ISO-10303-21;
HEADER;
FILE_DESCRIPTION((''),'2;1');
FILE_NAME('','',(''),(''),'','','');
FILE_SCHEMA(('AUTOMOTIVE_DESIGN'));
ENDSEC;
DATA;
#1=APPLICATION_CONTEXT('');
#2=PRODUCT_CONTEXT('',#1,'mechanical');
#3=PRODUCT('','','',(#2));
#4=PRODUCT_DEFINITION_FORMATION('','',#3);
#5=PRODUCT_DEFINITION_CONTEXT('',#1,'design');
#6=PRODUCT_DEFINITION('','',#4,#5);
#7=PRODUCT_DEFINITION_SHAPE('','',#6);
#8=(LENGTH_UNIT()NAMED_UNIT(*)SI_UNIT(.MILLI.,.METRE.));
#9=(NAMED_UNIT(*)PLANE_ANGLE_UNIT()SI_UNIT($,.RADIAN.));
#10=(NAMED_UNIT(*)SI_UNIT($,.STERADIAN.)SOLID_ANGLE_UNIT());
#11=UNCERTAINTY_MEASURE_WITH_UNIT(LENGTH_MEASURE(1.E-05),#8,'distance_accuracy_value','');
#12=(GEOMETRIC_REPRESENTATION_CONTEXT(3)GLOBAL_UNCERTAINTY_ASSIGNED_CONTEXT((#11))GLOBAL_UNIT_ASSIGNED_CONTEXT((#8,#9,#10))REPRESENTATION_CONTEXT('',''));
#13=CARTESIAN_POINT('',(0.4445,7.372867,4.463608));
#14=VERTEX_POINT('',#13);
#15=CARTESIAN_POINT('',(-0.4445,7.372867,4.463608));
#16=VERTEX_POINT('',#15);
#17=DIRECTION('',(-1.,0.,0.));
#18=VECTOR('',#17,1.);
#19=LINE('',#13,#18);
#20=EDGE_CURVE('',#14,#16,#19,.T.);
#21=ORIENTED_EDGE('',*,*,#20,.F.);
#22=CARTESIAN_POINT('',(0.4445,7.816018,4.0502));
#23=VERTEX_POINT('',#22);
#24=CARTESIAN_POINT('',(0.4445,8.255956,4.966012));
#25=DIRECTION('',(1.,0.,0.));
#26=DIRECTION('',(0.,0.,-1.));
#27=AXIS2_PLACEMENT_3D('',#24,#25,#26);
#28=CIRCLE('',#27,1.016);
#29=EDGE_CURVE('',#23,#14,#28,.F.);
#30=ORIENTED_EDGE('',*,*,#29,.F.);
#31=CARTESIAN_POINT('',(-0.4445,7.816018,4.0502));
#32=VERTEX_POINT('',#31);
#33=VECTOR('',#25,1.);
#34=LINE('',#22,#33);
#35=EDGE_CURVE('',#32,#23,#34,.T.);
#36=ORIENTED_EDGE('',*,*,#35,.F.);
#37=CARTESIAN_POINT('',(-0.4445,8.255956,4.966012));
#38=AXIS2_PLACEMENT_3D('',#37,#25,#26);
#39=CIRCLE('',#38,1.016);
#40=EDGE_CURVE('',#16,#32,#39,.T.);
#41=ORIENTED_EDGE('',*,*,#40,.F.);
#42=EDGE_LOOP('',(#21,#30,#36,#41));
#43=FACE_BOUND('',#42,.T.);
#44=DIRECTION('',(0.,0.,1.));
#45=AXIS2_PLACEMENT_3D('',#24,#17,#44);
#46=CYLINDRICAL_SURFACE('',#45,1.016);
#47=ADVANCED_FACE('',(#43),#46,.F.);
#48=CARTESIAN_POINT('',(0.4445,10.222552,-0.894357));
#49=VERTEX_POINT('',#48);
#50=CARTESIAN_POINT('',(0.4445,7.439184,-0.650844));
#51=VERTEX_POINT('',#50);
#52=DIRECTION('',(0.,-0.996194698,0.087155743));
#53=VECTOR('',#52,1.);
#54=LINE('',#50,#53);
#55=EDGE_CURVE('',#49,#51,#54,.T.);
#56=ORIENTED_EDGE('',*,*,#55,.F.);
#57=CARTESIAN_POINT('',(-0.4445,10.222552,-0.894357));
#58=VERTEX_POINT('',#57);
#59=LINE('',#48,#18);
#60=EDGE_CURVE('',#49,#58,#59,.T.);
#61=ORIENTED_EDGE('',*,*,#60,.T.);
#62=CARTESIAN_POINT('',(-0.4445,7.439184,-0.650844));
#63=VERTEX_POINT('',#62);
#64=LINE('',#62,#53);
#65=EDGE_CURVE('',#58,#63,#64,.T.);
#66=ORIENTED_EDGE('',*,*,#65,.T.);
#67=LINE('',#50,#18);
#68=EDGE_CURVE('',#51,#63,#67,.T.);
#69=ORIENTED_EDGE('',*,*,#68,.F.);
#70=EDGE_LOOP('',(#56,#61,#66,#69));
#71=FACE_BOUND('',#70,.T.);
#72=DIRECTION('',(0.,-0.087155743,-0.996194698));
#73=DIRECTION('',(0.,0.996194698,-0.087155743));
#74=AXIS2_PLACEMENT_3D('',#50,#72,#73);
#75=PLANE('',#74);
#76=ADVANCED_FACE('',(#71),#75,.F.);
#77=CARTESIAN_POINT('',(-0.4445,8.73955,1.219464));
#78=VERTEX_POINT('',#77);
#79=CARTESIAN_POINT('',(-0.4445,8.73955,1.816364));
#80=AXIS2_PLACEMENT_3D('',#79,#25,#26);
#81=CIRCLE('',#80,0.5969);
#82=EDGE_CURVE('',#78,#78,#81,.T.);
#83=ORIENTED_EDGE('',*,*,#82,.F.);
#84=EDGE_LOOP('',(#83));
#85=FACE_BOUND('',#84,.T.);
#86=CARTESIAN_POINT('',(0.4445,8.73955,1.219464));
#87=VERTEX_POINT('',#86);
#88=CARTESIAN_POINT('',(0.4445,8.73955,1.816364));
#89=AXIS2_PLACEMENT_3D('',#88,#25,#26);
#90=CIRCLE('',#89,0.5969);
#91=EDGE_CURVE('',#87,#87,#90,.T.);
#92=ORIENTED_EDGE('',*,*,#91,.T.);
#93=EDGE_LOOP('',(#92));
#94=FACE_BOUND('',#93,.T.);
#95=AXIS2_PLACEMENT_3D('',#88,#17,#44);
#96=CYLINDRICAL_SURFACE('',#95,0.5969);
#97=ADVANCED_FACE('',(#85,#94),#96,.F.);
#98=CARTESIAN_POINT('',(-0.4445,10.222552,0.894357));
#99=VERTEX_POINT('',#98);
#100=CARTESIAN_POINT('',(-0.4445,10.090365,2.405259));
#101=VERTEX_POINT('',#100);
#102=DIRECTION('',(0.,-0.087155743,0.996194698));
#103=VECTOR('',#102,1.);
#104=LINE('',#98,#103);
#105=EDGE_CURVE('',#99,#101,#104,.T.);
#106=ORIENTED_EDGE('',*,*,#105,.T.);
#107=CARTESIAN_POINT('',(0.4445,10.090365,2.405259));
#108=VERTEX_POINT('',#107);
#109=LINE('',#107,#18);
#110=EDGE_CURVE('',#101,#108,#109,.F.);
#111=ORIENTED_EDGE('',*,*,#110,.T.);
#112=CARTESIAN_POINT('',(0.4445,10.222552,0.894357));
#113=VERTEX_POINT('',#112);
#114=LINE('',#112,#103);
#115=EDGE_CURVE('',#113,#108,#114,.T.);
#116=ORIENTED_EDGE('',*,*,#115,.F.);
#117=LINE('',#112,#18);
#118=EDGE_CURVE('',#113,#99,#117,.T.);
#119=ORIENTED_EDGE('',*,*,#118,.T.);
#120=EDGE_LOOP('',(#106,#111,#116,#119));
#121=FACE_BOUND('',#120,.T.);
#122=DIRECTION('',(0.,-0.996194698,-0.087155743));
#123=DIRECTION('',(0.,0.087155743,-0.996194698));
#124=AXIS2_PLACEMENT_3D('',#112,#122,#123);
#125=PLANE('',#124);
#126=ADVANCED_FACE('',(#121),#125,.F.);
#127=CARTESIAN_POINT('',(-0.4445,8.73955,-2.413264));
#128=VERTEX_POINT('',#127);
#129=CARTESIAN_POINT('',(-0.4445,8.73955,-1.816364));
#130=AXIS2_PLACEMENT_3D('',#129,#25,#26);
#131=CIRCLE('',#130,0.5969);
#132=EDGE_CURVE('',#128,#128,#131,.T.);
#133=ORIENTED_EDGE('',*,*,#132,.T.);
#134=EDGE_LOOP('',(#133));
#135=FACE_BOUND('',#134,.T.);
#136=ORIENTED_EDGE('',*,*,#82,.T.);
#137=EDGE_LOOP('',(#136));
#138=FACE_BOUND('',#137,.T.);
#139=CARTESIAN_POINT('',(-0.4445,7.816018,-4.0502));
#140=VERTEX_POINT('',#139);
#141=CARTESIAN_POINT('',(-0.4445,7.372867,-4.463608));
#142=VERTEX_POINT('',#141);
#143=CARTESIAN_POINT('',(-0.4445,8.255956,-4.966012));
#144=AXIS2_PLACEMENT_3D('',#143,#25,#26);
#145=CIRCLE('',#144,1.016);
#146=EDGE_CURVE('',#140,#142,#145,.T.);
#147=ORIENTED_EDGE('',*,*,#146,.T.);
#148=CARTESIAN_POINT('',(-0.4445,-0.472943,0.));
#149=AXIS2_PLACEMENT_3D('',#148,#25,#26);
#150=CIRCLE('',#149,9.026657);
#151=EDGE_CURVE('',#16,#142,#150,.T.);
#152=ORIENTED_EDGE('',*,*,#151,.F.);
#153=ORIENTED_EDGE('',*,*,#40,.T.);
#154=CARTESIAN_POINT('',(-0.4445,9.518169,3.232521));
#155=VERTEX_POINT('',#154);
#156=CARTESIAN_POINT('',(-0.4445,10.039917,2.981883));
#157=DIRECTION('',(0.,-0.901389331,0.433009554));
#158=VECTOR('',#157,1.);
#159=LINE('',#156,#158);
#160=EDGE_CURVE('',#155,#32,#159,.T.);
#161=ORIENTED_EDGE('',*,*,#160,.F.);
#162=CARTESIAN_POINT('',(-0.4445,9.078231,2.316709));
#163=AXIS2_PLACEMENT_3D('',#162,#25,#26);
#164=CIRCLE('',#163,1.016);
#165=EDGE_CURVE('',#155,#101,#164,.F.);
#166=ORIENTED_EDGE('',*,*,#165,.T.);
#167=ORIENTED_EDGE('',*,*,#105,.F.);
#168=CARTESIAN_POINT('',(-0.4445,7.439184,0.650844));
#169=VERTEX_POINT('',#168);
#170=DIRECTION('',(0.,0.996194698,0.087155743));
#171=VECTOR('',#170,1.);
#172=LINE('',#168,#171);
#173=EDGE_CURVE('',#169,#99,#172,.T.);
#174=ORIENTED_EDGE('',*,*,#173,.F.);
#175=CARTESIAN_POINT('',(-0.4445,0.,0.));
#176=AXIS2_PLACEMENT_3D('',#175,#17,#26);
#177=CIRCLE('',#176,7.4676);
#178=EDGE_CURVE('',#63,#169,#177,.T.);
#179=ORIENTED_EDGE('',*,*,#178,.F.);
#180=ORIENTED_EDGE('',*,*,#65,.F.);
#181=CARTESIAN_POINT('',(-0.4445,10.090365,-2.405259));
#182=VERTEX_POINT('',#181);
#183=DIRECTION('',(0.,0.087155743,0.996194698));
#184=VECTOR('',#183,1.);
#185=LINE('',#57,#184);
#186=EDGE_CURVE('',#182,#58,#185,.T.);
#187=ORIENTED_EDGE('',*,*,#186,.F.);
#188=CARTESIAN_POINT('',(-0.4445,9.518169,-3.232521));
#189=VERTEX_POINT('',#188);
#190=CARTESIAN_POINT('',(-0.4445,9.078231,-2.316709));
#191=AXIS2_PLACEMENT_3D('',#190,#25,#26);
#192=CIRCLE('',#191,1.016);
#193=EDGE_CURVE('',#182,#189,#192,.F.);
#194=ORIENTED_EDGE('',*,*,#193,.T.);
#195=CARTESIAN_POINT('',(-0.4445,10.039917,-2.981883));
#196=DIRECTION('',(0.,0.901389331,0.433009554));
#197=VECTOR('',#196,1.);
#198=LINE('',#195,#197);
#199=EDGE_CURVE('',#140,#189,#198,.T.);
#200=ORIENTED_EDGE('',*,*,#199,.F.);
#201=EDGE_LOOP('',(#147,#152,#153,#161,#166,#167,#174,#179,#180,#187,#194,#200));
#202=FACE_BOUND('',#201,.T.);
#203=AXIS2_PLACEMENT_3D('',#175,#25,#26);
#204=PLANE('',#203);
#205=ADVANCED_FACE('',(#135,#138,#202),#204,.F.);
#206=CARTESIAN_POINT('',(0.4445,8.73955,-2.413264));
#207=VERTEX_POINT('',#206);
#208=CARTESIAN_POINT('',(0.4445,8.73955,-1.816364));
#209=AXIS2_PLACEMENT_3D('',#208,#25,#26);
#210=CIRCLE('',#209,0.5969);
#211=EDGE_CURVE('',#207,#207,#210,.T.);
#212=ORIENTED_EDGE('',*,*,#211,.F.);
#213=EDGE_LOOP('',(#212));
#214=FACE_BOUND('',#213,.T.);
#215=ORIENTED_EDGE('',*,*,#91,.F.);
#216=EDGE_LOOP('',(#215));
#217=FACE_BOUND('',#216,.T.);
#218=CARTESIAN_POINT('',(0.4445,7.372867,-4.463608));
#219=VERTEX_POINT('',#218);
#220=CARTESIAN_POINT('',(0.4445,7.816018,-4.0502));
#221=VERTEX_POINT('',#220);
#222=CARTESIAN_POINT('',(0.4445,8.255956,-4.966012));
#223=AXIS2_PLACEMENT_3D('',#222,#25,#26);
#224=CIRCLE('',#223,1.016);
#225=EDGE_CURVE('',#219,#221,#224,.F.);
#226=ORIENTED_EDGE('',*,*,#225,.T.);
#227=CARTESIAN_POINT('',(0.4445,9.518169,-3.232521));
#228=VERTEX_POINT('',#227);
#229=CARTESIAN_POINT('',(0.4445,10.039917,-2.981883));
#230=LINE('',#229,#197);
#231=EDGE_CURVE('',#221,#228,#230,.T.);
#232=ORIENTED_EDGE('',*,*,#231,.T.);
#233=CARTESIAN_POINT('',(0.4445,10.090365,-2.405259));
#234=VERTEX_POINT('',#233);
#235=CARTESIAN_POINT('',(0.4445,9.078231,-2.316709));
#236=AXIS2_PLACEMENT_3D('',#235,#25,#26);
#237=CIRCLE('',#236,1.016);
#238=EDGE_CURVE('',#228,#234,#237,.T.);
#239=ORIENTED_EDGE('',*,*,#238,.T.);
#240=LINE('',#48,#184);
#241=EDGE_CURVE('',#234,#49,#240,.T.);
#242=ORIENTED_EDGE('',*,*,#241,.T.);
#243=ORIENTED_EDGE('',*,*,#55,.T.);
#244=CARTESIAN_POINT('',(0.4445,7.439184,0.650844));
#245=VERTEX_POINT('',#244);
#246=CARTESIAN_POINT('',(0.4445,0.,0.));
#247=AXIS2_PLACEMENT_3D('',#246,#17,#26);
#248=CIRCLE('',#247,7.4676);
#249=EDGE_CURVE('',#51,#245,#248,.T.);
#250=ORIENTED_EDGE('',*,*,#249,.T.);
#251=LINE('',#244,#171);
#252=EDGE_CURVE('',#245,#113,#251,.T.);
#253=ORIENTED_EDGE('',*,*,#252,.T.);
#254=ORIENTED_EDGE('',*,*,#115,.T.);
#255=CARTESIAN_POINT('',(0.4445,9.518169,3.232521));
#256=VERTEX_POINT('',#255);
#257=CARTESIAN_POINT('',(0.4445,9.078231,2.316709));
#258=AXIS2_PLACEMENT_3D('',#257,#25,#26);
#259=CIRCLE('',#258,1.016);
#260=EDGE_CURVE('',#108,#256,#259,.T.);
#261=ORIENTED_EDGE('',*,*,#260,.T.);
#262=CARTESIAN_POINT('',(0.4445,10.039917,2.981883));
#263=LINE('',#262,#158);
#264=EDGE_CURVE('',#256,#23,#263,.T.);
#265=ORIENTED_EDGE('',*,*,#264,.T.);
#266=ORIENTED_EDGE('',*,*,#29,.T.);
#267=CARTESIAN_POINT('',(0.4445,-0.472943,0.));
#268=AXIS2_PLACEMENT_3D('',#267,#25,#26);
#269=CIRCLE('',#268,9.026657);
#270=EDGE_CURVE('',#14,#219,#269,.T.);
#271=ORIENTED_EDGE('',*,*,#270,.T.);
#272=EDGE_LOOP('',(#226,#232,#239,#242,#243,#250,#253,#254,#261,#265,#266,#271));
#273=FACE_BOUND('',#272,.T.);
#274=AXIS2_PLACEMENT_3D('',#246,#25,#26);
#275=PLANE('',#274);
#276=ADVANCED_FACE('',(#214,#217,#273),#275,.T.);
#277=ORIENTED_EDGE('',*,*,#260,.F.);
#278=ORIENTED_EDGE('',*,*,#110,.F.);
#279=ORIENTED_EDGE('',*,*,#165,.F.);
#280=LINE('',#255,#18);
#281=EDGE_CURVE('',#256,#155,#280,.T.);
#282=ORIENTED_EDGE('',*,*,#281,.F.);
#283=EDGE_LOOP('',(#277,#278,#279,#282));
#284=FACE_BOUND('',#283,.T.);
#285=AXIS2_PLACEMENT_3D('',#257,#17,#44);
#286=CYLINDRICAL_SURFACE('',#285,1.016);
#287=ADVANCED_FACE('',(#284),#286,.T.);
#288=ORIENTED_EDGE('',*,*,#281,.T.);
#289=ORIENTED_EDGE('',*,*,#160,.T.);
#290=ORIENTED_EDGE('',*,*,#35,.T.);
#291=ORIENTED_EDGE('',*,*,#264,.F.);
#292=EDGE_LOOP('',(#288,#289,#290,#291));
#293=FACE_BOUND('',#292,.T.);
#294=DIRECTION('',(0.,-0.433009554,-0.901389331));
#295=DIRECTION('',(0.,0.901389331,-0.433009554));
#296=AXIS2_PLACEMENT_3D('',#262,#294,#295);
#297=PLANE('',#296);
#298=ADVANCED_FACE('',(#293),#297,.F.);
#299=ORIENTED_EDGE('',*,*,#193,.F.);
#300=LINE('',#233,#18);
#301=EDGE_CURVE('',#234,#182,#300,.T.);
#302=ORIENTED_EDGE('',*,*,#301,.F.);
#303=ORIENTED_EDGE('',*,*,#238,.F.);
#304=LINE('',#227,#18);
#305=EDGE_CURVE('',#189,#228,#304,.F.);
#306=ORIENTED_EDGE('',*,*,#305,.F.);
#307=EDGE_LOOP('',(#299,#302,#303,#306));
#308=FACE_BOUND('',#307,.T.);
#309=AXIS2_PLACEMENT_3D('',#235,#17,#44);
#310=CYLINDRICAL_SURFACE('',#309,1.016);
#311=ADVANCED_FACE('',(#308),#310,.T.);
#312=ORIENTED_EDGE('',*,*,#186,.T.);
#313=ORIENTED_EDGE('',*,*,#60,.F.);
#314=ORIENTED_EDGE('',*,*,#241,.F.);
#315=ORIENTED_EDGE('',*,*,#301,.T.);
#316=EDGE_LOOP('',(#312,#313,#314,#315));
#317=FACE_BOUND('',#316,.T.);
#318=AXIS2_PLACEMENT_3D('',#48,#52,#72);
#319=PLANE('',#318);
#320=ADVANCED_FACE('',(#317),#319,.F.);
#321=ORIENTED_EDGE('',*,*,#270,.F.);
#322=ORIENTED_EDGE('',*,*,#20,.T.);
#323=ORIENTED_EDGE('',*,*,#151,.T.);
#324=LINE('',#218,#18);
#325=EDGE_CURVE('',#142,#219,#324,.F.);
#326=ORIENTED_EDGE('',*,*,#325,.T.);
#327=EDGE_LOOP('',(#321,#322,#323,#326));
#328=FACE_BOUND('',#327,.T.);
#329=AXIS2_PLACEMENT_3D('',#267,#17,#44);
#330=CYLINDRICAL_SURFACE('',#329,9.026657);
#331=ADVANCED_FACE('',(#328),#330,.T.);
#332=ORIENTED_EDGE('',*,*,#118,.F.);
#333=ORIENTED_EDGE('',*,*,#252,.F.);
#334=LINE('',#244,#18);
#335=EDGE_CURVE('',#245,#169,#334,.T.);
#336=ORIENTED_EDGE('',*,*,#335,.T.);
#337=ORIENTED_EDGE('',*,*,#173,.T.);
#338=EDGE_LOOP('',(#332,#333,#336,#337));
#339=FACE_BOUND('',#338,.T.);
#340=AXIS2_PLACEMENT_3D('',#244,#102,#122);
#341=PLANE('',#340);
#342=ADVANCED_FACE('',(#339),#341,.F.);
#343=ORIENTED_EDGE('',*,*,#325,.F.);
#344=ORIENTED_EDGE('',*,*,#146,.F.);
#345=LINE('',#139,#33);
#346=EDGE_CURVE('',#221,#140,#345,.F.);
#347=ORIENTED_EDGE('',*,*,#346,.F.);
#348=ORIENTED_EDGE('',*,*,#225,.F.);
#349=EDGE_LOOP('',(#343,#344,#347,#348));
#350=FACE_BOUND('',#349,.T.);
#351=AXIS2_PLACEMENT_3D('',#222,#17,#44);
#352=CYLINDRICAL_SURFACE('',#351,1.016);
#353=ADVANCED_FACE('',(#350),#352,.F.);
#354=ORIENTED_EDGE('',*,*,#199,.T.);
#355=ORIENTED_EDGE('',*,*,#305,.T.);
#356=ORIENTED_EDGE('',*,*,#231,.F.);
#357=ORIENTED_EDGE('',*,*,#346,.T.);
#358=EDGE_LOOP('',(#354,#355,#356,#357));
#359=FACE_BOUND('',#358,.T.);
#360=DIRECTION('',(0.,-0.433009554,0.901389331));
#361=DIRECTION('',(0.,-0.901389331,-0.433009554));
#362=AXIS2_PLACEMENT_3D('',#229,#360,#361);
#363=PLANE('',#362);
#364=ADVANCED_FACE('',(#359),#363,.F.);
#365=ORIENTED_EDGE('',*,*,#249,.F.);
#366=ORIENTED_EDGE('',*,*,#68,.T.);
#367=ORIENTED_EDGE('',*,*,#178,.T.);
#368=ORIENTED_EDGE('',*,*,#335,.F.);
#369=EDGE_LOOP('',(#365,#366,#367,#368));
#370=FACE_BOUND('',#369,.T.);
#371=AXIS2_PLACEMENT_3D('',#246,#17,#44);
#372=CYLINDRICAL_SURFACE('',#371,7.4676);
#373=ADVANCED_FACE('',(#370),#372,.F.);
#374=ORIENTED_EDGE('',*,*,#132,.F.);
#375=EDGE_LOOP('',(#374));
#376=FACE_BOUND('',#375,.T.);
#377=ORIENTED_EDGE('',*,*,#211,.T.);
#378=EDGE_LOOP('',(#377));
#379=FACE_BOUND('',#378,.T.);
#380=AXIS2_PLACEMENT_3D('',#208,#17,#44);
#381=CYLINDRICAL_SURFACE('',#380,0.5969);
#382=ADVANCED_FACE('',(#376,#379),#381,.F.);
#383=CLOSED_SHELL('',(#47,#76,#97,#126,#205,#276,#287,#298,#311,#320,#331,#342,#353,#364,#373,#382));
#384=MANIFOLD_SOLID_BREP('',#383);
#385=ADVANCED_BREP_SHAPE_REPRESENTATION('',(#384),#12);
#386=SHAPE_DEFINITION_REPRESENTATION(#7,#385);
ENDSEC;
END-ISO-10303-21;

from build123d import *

# Parameters (mm, degrees)
SKETCH1_R      = 0.5969
EXTRUDE1_DEPTH = 0.4445
FILLET1_R      = 1.016


with BuildPart() as part:
    # Sketch1 → Extrude1 (new, symmetric)
    with BuildSketch(Plane(origin=(0, 0, 0), x_dir=(0, 0, -1), z_dir=(1, 0, 0))):
        with BuildLine():
            Line((-0.650844225, 7.439183527), (-0.89435737, 10.222551514))
            Line((-0.89435737, 10.222551514), (-2.98188336, 10.039916655))
            Line((-2.98188336, 10.039916655), (-4.191712054, 7.521434864))
            ThreePointArc((-4.191712054, 7.521434864), (0, -9.4996), (4.191712054, 7.521434864))
            Line((4.191712054, 7.521434864), (2.98188336, 10.039916655))
            Line((2.98188336, 10.039916655), (0.89435737, 10.222551514))
            Line((0.89435737, 10.222551514), (0.650844225, 7.439183527))
            ThreePointArc((0.650844225, 7.439183527), (0, -7.4676), (-0.650844225, 7.439183527))
        make_face()
        with Locations((-1.816363792, 8.739550091)):
            Circle(SKETCH1_R, mode=Mode.SUBTRACT)
        with Locations((1.816363792, 8.739550091)):
            Circle(SKETCH1_R, mode=Mode.SUBTRACT)
    extrude(amount=EXTRUDE1_DEPTH, both=True)

    # Fillet1
    fillet1_edges = [part.edges().sort_by_distance(p)[0] for p in [
        (0, 10.039916655, -2.98188336),
        (0, 7.521434864, -4.191712054),
        (0, 7.521434864, 4.191712054),
        (0, 10.039916655, 2.98188336),
    ]]
    fillet(fillet1_edges, radius=FILLET1_R)


solid = part.part
